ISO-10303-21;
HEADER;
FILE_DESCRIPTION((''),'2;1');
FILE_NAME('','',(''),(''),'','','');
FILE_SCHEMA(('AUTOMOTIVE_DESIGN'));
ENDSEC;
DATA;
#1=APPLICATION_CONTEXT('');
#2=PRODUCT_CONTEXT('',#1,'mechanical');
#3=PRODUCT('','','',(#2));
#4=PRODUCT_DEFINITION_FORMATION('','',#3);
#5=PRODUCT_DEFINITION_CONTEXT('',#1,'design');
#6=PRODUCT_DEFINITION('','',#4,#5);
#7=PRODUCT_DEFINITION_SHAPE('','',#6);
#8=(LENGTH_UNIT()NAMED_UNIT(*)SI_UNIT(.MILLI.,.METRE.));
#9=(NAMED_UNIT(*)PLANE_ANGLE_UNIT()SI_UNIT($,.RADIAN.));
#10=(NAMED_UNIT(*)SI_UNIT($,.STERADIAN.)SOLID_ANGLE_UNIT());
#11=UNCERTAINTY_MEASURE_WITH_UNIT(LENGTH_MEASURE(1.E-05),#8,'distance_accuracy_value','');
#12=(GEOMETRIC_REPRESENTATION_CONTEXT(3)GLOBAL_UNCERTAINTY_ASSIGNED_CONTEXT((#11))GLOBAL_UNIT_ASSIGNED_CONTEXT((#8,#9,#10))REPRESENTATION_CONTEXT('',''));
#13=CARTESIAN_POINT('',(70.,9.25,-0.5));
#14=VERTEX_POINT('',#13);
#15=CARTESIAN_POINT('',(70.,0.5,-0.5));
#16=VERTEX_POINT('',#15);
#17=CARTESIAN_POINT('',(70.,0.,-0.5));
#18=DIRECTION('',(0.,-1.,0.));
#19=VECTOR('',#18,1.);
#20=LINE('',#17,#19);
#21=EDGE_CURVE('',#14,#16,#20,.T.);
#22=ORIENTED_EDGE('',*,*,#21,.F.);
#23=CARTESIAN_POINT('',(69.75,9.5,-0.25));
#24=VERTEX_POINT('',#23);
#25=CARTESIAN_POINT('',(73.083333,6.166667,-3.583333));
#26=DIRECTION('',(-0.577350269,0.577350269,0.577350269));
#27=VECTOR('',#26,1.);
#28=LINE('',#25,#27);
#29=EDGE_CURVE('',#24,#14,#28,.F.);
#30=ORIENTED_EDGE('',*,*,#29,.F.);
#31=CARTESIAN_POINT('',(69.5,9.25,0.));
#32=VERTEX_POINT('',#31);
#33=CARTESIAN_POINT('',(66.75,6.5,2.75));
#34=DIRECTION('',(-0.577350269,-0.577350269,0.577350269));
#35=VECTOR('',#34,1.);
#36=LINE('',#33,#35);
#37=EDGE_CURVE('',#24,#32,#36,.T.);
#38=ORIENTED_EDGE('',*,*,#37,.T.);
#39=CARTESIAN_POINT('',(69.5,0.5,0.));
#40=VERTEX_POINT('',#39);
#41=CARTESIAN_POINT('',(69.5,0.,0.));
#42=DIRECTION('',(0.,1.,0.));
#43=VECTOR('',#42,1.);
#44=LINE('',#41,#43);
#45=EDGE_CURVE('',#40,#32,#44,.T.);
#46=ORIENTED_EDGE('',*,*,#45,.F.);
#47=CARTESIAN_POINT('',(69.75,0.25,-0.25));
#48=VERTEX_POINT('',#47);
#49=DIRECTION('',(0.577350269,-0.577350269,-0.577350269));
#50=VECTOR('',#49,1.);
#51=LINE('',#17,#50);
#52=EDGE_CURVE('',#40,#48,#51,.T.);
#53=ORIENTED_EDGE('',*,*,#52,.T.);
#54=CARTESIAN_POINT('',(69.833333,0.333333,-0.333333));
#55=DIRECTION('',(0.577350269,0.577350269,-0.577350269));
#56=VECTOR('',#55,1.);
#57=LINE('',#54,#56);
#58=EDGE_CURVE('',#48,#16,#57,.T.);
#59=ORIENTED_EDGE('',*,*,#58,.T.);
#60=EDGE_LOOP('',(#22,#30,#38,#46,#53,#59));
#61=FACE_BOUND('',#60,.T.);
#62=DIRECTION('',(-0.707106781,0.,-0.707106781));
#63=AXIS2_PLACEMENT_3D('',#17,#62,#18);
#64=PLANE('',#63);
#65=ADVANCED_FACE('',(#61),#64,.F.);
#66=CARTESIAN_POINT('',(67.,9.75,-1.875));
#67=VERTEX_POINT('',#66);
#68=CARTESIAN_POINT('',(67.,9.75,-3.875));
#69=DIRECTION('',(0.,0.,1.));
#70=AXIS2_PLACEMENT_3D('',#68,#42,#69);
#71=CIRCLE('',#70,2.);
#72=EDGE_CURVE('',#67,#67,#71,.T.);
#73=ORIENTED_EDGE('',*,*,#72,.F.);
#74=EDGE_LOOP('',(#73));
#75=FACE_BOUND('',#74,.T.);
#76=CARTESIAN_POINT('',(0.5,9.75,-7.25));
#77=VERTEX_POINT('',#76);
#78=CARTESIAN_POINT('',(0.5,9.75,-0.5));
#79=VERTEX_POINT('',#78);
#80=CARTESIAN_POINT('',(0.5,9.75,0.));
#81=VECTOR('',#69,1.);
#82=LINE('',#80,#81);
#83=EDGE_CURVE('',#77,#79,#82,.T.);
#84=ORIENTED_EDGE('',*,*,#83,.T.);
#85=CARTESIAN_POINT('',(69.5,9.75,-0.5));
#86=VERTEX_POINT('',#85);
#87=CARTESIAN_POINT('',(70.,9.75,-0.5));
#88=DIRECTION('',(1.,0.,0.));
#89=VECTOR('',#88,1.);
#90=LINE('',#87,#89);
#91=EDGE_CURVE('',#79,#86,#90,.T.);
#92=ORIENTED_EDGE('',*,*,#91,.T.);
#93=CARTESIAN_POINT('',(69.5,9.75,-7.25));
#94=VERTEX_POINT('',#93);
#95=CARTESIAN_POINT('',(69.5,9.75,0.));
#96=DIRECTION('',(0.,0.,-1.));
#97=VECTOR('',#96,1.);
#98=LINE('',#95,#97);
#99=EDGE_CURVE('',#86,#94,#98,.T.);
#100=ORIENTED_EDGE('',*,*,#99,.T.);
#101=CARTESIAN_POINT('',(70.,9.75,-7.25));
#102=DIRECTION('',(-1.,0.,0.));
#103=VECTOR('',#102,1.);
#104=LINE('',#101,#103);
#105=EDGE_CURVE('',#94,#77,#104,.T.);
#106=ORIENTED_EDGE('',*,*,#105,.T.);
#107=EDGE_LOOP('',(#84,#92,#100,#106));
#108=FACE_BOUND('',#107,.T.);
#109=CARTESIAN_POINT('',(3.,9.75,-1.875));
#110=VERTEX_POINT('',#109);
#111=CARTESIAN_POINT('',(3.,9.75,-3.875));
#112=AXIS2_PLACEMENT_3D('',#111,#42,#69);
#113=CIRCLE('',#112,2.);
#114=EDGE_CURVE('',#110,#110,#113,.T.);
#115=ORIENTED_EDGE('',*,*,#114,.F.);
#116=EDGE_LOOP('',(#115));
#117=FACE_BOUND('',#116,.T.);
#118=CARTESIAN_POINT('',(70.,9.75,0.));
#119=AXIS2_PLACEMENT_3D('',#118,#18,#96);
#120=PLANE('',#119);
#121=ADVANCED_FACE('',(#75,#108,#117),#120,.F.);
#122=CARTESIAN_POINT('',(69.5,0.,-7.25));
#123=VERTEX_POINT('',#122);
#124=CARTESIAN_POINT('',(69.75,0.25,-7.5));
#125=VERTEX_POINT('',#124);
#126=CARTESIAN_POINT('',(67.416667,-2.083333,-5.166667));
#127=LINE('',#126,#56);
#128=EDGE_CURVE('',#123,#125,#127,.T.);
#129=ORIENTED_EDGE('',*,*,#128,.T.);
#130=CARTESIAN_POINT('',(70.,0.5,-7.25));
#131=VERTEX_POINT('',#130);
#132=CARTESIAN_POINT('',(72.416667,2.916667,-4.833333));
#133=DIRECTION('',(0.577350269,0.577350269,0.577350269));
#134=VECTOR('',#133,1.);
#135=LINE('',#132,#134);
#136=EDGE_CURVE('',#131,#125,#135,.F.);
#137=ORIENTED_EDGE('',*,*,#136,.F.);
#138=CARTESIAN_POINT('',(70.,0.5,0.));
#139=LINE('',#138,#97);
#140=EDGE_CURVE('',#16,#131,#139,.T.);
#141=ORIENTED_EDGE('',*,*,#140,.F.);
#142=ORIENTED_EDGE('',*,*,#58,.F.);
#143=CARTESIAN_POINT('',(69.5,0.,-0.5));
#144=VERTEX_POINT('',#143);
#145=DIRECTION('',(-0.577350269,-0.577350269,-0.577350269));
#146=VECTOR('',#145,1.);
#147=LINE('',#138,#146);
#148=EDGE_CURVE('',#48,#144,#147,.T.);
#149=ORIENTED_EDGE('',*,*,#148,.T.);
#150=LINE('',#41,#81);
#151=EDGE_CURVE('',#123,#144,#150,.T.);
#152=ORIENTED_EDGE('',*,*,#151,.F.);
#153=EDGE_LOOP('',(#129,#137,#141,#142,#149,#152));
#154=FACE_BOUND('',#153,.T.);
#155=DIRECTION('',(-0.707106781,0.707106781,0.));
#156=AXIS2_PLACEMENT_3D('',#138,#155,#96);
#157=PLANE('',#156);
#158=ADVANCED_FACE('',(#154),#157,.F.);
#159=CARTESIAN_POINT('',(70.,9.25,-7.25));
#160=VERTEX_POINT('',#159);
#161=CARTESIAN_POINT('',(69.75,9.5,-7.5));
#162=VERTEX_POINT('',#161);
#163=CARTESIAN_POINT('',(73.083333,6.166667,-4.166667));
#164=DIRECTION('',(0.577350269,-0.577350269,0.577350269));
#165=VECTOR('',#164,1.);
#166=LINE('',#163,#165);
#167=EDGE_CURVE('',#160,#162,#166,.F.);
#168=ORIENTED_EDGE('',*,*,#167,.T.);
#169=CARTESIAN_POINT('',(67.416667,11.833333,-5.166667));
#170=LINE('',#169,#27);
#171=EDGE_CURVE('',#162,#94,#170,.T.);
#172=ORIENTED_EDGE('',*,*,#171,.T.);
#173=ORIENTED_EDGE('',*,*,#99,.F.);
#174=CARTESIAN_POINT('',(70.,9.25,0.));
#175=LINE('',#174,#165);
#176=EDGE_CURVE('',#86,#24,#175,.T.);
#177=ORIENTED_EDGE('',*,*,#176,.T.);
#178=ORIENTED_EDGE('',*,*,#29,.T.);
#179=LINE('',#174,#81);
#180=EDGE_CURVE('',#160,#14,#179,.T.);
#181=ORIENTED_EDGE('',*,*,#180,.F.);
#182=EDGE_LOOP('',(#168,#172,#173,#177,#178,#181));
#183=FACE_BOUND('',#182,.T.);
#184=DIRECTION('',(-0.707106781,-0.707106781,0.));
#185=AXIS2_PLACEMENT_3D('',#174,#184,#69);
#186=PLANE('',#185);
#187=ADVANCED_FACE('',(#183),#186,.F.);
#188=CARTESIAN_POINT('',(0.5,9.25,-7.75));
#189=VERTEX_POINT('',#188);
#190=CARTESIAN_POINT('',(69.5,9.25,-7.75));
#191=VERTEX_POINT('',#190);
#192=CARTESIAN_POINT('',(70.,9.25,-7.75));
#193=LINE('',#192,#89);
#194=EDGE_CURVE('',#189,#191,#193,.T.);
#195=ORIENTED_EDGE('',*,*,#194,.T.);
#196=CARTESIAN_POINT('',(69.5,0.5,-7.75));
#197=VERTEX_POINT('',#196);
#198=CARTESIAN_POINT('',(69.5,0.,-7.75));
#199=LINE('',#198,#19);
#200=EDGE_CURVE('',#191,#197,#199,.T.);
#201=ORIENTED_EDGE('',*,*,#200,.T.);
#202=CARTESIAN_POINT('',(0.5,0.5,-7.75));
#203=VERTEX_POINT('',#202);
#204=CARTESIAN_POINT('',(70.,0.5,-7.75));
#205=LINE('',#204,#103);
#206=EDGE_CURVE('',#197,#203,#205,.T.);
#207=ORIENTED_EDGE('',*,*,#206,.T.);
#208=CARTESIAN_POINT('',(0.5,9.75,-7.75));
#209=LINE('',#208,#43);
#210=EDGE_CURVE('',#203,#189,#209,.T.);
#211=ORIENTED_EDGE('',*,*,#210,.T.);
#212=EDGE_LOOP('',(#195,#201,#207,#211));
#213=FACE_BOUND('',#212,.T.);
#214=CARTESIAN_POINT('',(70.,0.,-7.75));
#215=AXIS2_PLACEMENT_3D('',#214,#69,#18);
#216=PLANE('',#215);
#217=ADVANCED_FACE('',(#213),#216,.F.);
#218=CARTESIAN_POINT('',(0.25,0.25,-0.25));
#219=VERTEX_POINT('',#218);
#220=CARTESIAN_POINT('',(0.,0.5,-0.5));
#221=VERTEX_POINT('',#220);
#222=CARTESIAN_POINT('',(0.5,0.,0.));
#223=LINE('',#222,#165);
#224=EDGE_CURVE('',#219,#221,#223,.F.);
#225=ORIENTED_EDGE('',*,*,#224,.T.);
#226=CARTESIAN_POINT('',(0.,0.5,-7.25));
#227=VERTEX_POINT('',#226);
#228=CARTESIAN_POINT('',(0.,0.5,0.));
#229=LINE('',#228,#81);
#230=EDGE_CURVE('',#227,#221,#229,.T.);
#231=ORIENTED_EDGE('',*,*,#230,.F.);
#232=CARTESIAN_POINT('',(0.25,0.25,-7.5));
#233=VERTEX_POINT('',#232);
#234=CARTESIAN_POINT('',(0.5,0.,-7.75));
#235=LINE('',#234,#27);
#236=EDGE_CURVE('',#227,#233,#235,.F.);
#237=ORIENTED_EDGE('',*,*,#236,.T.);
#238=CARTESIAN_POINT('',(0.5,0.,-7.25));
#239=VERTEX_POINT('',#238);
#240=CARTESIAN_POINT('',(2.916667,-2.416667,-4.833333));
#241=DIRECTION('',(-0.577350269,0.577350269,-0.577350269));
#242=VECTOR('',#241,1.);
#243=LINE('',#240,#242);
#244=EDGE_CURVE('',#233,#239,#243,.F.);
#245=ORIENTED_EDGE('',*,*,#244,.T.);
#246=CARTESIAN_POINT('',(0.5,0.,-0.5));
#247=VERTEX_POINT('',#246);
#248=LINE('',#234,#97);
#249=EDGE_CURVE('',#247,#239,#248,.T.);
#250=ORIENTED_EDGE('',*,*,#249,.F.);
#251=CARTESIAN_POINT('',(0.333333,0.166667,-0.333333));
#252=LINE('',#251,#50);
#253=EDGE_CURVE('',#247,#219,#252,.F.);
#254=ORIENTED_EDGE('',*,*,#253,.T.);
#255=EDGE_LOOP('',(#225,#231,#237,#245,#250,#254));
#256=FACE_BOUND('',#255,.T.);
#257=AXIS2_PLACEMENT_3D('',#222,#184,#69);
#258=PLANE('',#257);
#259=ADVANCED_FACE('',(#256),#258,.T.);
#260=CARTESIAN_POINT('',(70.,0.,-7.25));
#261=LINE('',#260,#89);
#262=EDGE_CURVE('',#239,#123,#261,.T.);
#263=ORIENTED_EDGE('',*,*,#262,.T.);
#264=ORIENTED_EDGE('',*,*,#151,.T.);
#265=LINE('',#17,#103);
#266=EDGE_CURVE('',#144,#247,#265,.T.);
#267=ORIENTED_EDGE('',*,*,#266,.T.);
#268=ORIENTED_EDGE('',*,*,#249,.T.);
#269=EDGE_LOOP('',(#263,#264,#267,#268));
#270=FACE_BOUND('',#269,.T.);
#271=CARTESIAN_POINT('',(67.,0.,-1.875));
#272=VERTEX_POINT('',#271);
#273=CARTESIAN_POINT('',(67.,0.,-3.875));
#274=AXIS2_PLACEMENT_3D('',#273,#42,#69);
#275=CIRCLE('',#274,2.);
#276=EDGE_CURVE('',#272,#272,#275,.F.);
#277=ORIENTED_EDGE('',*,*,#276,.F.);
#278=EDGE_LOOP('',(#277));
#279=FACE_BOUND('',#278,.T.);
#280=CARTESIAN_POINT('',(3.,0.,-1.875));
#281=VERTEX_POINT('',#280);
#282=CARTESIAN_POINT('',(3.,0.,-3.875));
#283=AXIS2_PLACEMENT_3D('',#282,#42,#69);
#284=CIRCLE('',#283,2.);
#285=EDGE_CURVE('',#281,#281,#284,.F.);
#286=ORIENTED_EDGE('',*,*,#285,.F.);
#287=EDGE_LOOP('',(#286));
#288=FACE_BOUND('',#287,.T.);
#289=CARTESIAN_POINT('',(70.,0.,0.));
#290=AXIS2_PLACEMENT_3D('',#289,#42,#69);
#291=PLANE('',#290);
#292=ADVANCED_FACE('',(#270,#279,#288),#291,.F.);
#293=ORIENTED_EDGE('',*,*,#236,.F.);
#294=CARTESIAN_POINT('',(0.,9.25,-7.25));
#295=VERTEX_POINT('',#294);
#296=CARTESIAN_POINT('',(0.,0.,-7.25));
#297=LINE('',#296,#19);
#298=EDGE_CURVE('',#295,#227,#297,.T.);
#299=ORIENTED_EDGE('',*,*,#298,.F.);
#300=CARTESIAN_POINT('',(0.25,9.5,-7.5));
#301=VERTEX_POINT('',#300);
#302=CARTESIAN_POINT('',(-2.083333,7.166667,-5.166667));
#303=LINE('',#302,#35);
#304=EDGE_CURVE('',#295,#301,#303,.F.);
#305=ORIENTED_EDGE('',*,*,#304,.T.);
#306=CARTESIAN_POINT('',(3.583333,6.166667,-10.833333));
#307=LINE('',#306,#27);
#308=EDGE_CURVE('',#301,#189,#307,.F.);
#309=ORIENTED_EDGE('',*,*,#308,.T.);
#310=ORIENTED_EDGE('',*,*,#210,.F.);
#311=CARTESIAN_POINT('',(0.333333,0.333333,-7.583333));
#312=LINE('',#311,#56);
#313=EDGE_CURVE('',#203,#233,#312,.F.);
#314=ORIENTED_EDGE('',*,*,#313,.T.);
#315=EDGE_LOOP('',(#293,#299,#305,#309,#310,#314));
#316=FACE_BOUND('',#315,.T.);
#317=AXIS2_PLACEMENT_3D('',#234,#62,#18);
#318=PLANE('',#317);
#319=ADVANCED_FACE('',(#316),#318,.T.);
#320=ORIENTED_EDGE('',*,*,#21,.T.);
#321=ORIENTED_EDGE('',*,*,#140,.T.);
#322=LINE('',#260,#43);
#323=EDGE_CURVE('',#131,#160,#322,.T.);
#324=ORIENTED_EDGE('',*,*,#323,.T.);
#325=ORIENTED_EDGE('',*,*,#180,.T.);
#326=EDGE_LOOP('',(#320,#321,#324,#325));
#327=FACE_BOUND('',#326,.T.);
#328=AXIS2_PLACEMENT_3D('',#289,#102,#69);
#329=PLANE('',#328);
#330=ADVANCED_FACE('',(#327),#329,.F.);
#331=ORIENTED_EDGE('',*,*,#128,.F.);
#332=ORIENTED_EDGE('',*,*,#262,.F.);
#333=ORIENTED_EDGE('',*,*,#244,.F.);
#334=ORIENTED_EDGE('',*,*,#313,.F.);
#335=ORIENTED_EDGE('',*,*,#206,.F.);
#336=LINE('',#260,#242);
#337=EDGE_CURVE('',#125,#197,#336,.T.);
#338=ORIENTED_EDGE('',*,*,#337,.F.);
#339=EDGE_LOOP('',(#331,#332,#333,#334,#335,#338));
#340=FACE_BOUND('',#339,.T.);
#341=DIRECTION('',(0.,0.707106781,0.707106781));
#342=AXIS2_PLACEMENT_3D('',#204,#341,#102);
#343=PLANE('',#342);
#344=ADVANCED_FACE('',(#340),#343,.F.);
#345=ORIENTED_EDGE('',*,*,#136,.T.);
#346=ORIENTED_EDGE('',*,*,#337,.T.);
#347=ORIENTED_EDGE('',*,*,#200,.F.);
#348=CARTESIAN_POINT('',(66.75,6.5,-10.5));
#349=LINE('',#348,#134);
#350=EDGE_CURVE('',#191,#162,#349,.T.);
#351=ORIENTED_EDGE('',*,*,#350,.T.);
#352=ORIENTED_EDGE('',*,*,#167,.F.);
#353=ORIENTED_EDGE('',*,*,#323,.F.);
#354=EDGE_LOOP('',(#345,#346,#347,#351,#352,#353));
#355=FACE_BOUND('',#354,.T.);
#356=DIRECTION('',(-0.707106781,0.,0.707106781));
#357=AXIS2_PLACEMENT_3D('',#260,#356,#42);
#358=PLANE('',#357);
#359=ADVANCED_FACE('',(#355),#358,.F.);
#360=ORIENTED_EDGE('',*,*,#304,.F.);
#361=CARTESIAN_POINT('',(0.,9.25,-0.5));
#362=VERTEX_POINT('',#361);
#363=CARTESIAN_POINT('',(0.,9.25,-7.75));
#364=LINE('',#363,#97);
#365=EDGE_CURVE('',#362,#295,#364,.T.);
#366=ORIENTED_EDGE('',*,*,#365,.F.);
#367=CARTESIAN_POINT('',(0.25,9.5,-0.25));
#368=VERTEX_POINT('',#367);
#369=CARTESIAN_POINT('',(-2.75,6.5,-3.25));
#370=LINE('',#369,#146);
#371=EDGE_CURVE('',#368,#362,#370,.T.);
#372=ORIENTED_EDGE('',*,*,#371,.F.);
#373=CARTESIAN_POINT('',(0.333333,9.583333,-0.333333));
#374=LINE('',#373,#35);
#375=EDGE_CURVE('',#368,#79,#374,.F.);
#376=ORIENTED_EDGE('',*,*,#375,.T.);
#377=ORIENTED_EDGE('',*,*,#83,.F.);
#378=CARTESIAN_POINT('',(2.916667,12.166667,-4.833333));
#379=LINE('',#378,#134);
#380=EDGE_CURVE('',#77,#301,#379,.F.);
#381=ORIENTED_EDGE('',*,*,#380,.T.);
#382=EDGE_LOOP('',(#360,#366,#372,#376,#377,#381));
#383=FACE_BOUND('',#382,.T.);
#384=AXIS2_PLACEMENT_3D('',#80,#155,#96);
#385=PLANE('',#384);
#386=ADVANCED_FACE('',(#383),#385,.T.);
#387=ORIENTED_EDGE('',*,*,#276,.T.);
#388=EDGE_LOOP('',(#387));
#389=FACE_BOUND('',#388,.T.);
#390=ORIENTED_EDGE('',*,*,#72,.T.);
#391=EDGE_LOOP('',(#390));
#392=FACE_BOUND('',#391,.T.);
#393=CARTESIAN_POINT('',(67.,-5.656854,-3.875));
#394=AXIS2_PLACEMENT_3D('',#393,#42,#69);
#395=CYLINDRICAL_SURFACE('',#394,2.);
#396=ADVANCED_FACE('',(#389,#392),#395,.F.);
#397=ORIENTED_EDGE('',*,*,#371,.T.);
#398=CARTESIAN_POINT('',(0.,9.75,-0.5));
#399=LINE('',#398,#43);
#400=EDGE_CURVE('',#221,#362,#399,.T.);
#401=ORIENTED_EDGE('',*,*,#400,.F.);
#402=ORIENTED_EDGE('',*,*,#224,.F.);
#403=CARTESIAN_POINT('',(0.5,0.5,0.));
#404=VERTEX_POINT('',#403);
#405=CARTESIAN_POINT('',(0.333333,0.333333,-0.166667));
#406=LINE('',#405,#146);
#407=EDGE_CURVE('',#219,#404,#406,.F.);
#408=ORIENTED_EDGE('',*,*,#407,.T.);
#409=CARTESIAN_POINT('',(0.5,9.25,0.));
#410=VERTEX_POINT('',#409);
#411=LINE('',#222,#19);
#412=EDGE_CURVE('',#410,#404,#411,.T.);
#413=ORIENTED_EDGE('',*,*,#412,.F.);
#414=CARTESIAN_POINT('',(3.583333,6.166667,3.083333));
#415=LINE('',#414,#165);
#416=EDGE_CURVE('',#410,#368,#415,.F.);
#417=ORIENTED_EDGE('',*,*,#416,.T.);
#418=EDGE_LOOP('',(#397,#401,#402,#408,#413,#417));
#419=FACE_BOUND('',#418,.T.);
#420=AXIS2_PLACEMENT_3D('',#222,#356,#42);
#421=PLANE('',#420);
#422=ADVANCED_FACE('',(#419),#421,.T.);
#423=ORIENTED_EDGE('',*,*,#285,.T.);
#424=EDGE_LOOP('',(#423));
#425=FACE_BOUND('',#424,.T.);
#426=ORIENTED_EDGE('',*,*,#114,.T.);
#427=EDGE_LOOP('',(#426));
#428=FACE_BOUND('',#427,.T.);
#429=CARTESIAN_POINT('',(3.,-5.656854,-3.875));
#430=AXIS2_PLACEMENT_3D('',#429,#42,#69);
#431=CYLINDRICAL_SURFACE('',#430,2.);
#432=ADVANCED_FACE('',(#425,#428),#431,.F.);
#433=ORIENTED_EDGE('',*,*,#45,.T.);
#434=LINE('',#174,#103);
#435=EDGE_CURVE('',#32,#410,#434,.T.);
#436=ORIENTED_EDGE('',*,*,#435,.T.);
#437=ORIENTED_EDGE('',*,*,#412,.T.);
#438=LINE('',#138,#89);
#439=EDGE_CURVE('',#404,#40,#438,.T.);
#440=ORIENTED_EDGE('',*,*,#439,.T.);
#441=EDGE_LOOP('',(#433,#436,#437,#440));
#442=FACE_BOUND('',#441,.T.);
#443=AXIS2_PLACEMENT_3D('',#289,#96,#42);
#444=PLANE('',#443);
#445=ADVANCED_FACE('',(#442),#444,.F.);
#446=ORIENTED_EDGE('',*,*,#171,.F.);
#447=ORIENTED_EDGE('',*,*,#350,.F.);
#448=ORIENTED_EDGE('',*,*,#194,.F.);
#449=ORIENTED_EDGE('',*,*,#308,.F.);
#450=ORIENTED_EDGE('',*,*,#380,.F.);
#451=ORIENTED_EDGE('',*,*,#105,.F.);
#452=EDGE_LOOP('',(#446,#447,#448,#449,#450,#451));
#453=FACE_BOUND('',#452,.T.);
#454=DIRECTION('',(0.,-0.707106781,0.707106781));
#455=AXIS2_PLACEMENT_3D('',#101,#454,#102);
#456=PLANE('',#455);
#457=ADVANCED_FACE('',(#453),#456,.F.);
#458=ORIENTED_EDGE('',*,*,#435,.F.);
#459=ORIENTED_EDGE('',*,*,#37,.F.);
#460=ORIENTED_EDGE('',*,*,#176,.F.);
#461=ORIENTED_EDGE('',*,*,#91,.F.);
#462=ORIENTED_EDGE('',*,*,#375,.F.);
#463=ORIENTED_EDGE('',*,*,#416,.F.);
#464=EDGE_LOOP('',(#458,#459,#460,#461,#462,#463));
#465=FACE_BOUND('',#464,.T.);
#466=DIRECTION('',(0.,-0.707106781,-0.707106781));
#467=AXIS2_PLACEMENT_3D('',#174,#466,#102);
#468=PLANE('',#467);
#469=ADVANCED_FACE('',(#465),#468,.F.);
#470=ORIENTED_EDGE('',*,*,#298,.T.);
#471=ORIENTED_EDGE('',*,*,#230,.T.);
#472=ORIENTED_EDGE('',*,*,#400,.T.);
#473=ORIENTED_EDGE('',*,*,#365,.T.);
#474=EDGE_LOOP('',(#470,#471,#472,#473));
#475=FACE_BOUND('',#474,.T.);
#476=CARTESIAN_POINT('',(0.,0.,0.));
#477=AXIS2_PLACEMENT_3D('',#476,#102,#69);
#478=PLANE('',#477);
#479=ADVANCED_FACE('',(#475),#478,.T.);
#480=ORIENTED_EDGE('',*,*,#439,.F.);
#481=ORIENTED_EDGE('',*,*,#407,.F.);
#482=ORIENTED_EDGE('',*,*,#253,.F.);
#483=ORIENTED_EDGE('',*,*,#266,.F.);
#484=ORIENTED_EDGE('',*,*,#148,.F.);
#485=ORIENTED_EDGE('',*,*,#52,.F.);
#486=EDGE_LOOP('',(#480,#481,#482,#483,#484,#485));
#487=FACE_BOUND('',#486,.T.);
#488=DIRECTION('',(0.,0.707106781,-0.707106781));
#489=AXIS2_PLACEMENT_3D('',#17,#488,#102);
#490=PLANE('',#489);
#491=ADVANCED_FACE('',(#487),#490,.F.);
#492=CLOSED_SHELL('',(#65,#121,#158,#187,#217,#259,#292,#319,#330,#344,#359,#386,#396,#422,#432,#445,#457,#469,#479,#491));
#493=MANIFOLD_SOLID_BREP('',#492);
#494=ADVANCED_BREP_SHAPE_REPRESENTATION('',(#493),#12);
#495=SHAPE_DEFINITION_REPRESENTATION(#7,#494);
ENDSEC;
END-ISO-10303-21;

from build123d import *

# Parameters (mm, degrees)
SKETCH1_W           = 7.75
SKETCH1_H           = 9.75
BOSS_EXTRUDE1_DEPTH = 70
SKETCH4_R           = 2
CUT_EXTRUDE3_DEPTH  = 9.75
CHAMFER1_SIZE       = 0.5
CHAMFER2_SIZE       = 0.5


with BuildPart() as part:
    # Sketch1 → Boss-Extrude1 (new body)
    with BuildSketch(Plane(origin=(0, 0, 0), x_dir=(0, 0, -1), z_dir=(1, 0, 0))):
        with Locations((3.875, 4.875)):
            Rectangle(SKETCH1_W, SKETCH1_H)
    extrude(amount=BOSS_EXTRUDE1_DEPTH)

    # Sketch4 → Cut-Extrude3 (cut)
    with BuildSketch(Plane(origin=(0, 9.75, 0), x_dir=(1, 0, 0), z_dir=(0, 1, 0))):
        with Locations((3, 3.875)):
            Circle(SKETCH4_R)
        with Locations((67, 3.875)):
            Circle(SKETCH4_R)
    extrude(amount=-CUT_EXTRUDE3_DEPTH, mode=Mode.SUBTRACT)

    # Chamfer1
    chamfer1_edges = [part.edges().sort_by_distance(p)[0] for p in [
        (70, 4.875, -7.75),
        (70, 9.75, -3.875),
        (70, 4.875, 0),
        (0, 9.75, -3.875),
        (0, 4.875, -7.75),
        (0, 0, -3.875),
        (0, 4.875, 0),
        (70, 0, -3.875),
    ]]
    chamfer(chamfer1_edges, length=CHAMFER1_SIZE)

    # Chamfer2
    chamfer2_edges = [part.edges().sort_by_distance(p)[0] for p in [
        (35, 0, -7.75),
        (35, 0, 0),
        (35, 9.75, -7.75),
        (35, 9.75, 0),
    ]]
    chamfer(chamfer2_edges, length=CHAMFER2_SIZE)


solid = part.part
